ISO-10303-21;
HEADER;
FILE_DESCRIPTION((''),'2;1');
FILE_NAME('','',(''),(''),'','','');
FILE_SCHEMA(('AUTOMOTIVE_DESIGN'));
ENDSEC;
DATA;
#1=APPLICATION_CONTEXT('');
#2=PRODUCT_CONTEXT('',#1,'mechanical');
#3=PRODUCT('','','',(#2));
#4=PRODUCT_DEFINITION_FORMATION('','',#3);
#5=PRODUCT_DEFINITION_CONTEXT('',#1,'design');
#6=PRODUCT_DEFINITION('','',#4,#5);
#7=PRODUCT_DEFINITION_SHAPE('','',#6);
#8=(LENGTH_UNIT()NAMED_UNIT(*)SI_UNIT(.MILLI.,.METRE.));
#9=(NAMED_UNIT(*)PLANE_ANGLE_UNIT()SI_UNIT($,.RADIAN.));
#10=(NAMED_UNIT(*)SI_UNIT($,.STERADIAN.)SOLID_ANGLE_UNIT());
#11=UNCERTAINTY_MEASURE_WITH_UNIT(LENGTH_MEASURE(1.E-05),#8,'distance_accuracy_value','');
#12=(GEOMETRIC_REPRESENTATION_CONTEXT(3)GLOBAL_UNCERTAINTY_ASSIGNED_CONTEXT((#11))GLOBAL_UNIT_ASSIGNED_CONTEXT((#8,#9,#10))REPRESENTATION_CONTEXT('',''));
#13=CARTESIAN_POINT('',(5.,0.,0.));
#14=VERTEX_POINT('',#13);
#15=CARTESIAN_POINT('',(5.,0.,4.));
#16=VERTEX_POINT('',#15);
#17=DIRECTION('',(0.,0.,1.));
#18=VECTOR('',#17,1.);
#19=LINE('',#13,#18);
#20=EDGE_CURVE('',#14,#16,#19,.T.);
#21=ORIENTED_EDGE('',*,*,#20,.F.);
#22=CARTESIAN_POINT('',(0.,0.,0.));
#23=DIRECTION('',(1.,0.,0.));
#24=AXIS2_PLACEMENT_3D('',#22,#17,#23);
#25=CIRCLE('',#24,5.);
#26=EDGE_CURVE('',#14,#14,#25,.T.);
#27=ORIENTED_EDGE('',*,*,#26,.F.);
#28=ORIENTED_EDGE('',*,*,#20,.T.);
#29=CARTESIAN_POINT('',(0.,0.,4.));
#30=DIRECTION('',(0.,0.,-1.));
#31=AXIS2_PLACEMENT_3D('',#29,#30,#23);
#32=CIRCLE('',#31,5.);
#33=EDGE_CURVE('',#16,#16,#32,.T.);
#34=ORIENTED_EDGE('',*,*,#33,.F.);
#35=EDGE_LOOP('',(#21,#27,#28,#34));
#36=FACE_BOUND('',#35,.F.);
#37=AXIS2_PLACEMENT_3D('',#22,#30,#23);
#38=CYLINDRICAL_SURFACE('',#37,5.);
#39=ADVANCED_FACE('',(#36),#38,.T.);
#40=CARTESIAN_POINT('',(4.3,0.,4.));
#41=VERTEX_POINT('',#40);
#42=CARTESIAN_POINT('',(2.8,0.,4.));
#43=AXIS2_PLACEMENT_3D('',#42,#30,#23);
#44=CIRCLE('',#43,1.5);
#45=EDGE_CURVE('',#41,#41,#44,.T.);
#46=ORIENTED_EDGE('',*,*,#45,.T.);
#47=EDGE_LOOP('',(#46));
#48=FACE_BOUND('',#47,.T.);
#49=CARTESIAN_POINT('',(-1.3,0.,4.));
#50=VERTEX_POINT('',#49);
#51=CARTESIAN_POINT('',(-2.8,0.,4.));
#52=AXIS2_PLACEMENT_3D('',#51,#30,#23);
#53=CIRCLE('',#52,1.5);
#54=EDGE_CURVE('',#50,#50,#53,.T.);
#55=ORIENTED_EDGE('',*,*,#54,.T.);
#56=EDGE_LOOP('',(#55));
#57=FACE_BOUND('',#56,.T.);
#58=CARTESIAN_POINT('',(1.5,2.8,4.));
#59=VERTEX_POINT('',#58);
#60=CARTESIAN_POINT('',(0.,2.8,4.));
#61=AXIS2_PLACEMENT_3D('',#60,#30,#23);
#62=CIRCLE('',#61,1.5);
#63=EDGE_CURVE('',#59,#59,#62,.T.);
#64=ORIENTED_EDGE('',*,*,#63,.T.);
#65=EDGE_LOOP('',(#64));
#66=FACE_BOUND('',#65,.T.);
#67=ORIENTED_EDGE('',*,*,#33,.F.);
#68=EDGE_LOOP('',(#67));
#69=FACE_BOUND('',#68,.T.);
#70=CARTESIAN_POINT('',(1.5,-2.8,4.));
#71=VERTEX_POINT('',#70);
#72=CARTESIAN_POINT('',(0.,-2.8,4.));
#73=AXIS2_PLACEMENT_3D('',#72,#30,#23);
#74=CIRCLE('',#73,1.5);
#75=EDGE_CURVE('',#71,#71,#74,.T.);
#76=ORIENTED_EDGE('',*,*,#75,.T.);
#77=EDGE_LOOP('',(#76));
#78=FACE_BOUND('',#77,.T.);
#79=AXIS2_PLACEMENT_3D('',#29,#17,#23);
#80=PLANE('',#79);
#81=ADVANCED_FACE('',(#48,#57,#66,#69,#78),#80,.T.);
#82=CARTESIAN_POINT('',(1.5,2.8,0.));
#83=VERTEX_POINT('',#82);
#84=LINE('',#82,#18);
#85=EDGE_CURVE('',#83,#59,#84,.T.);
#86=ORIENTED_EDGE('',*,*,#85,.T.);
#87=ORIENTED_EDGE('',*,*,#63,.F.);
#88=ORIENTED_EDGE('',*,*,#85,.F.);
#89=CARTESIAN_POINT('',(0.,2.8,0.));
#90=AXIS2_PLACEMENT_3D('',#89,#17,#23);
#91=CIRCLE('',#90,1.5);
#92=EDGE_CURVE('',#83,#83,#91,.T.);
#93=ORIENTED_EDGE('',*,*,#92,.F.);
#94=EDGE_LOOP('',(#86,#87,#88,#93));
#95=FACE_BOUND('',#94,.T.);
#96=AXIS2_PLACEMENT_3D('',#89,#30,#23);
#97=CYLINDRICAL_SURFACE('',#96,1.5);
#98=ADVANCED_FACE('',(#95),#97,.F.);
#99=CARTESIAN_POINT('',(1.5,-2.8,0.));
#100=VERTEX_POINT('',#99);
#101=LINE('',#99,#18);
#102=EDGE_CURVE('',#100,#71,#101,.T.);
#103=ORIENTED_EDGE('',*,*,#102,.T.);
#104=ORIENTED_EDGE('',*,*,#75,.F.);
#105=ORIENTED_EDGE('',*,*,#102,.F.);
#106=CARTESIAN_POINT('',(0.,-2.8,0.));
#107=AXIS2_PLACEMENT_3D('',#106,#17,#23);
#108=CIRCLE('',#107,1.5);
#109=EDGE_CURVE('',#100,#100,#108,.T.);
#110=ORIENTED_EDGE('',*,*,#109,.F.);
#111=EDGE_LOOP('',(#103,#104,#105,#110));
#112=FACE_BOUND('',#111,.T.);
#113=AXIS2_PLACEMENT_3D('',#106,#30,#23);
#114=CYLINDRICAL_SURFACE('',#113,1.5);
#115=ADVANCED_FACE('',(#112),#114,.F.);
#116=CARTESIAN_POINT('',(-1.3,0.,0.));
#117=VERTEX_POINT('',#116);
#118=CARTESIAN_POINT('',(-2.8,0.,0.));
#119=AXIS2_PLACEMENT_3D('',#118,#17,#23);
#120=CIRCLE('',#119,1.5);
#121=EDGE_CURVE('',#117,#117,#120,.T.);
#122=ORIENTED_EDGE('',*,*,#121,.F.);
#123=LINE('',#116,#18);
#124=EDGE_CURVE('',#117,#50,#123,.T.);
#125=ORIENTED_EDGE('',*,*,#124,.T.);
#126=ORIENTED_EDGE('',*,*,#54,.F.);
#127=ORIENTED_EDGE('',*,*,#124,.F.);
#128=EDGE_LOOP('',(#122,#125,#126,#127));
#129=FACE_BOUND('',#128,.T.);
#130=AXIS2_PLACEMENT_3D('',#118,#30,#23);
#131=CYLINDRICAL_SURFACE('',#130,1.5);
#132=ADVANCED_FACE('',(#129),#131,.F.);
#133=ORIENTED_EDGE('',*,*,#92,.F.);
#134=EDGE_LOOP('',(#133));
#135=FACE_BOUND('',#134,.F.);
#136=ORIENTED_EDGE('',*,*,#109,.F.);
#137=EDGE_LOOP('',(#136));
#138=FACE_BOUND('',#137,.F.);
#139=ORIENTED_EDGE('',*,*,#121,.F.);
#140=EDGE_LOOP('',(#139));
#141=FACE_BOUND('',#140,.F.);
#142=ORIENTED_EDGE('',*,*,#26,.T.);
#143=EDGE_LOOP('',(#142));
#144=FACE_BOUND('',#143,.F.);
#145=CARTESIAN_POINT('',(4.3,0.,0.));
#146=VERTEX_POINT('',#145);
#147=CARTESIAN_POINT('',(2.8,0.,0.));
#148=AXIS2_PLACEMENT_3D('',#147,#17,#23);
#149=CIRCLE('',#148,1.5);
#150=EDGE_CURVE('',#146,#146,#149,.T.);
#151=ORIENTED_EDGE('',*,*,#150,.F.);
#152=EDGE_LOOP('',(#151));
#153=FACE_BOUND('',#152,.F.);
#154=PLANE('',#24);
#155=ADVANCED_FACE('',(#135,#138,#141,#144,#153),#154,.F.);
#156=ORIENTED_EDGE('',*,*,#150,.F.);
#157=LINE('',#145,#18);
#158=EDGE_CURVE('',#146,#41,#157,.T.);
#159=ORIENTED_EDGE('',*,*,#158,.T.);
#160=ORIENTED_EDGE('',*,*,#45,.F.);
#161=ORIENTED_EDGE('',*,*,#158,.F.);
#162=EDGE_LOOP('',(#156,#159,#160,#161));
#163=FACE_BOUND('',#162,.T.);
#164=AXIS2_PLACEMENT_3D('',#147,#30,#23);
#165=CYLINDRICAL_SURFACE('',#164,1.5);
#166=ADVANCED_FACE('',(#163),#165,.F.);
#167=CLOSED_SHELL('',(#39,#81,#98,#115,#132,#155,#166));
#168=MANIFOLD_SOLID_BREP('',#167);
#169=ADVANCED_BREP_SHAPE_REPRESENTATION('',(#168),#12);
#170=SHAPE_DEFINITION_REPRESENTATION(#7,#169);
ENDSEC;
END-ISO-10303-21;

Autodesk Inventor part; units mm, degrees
ref_plane "YZ Plane" through (0, 0, 0) normal (1, 0, 0) x (0, 1, 0)
ref_plane "XZ Plane" through (0, 0, 0) normal (0, 1, 0) x (-1, 0, 0)
ref_plane "XY Plane" through (0, 0, 0) normal (0, 0, 1) x (1, 0, 0)
sketch "スケッチ1" plane through (0, 0, 0) normal (0, 0, 1) x (1, 0, 0)
  circle A0 centre (2.8, 0) radius 2.8
  line L0 (2.8, 0) -> (0, 0)
  circle A1 centre (0, 2.8) radius 2.8
  circle A2 centre (-2.8, 0) radius 2.8
  circle A3 centre (0, -2.8) radius 2.8
  circle A4 centre (2.8, 0) radius 1.5
  circle A5 centre (0, 2.8) radius 1.5
  circle A6 centre (-2.8, 0) radius 1.5
  circle A7 centre (0, -2.8) radius 1.5
  circle A8 centre (0, 0) radius 5
  circle A9 centre (0, 5) radius 1.5
  circle A10 centre (-5, 0) radius 1.5
  circle A11 centre (0, -5) radius 1.5
  circle A12 centre (5, 0) radius 1.5
  point P0 (-1.483, -4.775)
  point P1 (1.483, -4.775)
  point P2 (-4.775, -1.483)
  point P3 (-4.775, 1.483)
  point P4 (4.775, 1.483)
  point P5 (4.775, -1.483)
  point P6 (-1.483, 4.775)
  point P7 (1.483, 4.775)
  dimension "d12" = 10
  dimension "d1" = 5.6
  dimension "d4" = 360
  dimension "d7" = 3
  dimension "d10" = 360
  dimension "d15" = 3
  dimension "d18" = 360
extrude "押し出し1" add sketch "スケッチ1" along normal blind 4 contours A8 A12 A4 A1 A0 | A0 A1 A8 | A8 A12 A4 | A8 A3 A0 | A0 A3 A4 A12 A8 | A1 A4 A0 A5 | A0 A5 A9 A8 A1 | A3 A8 A11 A7 A0 | A0 A7 A3 A4 | A9 A5 A8 | A8 A11 A7 | A0 A2 A5 | A4 L0 A1 | A9 A5 A2 A1 A8 | A7 A2 A0 | A3 L0 A4 | A8 A3 A2 A7 A11 | A3 A6 A1 | A1 A6 A2 A5 | A2 A7 A3 A6 | A1 A2 A8 | A8 A2 A3 | A1 A6 A10 A8 A2 | A2 A8 A10 A6 A3 | A10 A6 A8
properties part number "カムL4" material "アセタール樹脂、白"
